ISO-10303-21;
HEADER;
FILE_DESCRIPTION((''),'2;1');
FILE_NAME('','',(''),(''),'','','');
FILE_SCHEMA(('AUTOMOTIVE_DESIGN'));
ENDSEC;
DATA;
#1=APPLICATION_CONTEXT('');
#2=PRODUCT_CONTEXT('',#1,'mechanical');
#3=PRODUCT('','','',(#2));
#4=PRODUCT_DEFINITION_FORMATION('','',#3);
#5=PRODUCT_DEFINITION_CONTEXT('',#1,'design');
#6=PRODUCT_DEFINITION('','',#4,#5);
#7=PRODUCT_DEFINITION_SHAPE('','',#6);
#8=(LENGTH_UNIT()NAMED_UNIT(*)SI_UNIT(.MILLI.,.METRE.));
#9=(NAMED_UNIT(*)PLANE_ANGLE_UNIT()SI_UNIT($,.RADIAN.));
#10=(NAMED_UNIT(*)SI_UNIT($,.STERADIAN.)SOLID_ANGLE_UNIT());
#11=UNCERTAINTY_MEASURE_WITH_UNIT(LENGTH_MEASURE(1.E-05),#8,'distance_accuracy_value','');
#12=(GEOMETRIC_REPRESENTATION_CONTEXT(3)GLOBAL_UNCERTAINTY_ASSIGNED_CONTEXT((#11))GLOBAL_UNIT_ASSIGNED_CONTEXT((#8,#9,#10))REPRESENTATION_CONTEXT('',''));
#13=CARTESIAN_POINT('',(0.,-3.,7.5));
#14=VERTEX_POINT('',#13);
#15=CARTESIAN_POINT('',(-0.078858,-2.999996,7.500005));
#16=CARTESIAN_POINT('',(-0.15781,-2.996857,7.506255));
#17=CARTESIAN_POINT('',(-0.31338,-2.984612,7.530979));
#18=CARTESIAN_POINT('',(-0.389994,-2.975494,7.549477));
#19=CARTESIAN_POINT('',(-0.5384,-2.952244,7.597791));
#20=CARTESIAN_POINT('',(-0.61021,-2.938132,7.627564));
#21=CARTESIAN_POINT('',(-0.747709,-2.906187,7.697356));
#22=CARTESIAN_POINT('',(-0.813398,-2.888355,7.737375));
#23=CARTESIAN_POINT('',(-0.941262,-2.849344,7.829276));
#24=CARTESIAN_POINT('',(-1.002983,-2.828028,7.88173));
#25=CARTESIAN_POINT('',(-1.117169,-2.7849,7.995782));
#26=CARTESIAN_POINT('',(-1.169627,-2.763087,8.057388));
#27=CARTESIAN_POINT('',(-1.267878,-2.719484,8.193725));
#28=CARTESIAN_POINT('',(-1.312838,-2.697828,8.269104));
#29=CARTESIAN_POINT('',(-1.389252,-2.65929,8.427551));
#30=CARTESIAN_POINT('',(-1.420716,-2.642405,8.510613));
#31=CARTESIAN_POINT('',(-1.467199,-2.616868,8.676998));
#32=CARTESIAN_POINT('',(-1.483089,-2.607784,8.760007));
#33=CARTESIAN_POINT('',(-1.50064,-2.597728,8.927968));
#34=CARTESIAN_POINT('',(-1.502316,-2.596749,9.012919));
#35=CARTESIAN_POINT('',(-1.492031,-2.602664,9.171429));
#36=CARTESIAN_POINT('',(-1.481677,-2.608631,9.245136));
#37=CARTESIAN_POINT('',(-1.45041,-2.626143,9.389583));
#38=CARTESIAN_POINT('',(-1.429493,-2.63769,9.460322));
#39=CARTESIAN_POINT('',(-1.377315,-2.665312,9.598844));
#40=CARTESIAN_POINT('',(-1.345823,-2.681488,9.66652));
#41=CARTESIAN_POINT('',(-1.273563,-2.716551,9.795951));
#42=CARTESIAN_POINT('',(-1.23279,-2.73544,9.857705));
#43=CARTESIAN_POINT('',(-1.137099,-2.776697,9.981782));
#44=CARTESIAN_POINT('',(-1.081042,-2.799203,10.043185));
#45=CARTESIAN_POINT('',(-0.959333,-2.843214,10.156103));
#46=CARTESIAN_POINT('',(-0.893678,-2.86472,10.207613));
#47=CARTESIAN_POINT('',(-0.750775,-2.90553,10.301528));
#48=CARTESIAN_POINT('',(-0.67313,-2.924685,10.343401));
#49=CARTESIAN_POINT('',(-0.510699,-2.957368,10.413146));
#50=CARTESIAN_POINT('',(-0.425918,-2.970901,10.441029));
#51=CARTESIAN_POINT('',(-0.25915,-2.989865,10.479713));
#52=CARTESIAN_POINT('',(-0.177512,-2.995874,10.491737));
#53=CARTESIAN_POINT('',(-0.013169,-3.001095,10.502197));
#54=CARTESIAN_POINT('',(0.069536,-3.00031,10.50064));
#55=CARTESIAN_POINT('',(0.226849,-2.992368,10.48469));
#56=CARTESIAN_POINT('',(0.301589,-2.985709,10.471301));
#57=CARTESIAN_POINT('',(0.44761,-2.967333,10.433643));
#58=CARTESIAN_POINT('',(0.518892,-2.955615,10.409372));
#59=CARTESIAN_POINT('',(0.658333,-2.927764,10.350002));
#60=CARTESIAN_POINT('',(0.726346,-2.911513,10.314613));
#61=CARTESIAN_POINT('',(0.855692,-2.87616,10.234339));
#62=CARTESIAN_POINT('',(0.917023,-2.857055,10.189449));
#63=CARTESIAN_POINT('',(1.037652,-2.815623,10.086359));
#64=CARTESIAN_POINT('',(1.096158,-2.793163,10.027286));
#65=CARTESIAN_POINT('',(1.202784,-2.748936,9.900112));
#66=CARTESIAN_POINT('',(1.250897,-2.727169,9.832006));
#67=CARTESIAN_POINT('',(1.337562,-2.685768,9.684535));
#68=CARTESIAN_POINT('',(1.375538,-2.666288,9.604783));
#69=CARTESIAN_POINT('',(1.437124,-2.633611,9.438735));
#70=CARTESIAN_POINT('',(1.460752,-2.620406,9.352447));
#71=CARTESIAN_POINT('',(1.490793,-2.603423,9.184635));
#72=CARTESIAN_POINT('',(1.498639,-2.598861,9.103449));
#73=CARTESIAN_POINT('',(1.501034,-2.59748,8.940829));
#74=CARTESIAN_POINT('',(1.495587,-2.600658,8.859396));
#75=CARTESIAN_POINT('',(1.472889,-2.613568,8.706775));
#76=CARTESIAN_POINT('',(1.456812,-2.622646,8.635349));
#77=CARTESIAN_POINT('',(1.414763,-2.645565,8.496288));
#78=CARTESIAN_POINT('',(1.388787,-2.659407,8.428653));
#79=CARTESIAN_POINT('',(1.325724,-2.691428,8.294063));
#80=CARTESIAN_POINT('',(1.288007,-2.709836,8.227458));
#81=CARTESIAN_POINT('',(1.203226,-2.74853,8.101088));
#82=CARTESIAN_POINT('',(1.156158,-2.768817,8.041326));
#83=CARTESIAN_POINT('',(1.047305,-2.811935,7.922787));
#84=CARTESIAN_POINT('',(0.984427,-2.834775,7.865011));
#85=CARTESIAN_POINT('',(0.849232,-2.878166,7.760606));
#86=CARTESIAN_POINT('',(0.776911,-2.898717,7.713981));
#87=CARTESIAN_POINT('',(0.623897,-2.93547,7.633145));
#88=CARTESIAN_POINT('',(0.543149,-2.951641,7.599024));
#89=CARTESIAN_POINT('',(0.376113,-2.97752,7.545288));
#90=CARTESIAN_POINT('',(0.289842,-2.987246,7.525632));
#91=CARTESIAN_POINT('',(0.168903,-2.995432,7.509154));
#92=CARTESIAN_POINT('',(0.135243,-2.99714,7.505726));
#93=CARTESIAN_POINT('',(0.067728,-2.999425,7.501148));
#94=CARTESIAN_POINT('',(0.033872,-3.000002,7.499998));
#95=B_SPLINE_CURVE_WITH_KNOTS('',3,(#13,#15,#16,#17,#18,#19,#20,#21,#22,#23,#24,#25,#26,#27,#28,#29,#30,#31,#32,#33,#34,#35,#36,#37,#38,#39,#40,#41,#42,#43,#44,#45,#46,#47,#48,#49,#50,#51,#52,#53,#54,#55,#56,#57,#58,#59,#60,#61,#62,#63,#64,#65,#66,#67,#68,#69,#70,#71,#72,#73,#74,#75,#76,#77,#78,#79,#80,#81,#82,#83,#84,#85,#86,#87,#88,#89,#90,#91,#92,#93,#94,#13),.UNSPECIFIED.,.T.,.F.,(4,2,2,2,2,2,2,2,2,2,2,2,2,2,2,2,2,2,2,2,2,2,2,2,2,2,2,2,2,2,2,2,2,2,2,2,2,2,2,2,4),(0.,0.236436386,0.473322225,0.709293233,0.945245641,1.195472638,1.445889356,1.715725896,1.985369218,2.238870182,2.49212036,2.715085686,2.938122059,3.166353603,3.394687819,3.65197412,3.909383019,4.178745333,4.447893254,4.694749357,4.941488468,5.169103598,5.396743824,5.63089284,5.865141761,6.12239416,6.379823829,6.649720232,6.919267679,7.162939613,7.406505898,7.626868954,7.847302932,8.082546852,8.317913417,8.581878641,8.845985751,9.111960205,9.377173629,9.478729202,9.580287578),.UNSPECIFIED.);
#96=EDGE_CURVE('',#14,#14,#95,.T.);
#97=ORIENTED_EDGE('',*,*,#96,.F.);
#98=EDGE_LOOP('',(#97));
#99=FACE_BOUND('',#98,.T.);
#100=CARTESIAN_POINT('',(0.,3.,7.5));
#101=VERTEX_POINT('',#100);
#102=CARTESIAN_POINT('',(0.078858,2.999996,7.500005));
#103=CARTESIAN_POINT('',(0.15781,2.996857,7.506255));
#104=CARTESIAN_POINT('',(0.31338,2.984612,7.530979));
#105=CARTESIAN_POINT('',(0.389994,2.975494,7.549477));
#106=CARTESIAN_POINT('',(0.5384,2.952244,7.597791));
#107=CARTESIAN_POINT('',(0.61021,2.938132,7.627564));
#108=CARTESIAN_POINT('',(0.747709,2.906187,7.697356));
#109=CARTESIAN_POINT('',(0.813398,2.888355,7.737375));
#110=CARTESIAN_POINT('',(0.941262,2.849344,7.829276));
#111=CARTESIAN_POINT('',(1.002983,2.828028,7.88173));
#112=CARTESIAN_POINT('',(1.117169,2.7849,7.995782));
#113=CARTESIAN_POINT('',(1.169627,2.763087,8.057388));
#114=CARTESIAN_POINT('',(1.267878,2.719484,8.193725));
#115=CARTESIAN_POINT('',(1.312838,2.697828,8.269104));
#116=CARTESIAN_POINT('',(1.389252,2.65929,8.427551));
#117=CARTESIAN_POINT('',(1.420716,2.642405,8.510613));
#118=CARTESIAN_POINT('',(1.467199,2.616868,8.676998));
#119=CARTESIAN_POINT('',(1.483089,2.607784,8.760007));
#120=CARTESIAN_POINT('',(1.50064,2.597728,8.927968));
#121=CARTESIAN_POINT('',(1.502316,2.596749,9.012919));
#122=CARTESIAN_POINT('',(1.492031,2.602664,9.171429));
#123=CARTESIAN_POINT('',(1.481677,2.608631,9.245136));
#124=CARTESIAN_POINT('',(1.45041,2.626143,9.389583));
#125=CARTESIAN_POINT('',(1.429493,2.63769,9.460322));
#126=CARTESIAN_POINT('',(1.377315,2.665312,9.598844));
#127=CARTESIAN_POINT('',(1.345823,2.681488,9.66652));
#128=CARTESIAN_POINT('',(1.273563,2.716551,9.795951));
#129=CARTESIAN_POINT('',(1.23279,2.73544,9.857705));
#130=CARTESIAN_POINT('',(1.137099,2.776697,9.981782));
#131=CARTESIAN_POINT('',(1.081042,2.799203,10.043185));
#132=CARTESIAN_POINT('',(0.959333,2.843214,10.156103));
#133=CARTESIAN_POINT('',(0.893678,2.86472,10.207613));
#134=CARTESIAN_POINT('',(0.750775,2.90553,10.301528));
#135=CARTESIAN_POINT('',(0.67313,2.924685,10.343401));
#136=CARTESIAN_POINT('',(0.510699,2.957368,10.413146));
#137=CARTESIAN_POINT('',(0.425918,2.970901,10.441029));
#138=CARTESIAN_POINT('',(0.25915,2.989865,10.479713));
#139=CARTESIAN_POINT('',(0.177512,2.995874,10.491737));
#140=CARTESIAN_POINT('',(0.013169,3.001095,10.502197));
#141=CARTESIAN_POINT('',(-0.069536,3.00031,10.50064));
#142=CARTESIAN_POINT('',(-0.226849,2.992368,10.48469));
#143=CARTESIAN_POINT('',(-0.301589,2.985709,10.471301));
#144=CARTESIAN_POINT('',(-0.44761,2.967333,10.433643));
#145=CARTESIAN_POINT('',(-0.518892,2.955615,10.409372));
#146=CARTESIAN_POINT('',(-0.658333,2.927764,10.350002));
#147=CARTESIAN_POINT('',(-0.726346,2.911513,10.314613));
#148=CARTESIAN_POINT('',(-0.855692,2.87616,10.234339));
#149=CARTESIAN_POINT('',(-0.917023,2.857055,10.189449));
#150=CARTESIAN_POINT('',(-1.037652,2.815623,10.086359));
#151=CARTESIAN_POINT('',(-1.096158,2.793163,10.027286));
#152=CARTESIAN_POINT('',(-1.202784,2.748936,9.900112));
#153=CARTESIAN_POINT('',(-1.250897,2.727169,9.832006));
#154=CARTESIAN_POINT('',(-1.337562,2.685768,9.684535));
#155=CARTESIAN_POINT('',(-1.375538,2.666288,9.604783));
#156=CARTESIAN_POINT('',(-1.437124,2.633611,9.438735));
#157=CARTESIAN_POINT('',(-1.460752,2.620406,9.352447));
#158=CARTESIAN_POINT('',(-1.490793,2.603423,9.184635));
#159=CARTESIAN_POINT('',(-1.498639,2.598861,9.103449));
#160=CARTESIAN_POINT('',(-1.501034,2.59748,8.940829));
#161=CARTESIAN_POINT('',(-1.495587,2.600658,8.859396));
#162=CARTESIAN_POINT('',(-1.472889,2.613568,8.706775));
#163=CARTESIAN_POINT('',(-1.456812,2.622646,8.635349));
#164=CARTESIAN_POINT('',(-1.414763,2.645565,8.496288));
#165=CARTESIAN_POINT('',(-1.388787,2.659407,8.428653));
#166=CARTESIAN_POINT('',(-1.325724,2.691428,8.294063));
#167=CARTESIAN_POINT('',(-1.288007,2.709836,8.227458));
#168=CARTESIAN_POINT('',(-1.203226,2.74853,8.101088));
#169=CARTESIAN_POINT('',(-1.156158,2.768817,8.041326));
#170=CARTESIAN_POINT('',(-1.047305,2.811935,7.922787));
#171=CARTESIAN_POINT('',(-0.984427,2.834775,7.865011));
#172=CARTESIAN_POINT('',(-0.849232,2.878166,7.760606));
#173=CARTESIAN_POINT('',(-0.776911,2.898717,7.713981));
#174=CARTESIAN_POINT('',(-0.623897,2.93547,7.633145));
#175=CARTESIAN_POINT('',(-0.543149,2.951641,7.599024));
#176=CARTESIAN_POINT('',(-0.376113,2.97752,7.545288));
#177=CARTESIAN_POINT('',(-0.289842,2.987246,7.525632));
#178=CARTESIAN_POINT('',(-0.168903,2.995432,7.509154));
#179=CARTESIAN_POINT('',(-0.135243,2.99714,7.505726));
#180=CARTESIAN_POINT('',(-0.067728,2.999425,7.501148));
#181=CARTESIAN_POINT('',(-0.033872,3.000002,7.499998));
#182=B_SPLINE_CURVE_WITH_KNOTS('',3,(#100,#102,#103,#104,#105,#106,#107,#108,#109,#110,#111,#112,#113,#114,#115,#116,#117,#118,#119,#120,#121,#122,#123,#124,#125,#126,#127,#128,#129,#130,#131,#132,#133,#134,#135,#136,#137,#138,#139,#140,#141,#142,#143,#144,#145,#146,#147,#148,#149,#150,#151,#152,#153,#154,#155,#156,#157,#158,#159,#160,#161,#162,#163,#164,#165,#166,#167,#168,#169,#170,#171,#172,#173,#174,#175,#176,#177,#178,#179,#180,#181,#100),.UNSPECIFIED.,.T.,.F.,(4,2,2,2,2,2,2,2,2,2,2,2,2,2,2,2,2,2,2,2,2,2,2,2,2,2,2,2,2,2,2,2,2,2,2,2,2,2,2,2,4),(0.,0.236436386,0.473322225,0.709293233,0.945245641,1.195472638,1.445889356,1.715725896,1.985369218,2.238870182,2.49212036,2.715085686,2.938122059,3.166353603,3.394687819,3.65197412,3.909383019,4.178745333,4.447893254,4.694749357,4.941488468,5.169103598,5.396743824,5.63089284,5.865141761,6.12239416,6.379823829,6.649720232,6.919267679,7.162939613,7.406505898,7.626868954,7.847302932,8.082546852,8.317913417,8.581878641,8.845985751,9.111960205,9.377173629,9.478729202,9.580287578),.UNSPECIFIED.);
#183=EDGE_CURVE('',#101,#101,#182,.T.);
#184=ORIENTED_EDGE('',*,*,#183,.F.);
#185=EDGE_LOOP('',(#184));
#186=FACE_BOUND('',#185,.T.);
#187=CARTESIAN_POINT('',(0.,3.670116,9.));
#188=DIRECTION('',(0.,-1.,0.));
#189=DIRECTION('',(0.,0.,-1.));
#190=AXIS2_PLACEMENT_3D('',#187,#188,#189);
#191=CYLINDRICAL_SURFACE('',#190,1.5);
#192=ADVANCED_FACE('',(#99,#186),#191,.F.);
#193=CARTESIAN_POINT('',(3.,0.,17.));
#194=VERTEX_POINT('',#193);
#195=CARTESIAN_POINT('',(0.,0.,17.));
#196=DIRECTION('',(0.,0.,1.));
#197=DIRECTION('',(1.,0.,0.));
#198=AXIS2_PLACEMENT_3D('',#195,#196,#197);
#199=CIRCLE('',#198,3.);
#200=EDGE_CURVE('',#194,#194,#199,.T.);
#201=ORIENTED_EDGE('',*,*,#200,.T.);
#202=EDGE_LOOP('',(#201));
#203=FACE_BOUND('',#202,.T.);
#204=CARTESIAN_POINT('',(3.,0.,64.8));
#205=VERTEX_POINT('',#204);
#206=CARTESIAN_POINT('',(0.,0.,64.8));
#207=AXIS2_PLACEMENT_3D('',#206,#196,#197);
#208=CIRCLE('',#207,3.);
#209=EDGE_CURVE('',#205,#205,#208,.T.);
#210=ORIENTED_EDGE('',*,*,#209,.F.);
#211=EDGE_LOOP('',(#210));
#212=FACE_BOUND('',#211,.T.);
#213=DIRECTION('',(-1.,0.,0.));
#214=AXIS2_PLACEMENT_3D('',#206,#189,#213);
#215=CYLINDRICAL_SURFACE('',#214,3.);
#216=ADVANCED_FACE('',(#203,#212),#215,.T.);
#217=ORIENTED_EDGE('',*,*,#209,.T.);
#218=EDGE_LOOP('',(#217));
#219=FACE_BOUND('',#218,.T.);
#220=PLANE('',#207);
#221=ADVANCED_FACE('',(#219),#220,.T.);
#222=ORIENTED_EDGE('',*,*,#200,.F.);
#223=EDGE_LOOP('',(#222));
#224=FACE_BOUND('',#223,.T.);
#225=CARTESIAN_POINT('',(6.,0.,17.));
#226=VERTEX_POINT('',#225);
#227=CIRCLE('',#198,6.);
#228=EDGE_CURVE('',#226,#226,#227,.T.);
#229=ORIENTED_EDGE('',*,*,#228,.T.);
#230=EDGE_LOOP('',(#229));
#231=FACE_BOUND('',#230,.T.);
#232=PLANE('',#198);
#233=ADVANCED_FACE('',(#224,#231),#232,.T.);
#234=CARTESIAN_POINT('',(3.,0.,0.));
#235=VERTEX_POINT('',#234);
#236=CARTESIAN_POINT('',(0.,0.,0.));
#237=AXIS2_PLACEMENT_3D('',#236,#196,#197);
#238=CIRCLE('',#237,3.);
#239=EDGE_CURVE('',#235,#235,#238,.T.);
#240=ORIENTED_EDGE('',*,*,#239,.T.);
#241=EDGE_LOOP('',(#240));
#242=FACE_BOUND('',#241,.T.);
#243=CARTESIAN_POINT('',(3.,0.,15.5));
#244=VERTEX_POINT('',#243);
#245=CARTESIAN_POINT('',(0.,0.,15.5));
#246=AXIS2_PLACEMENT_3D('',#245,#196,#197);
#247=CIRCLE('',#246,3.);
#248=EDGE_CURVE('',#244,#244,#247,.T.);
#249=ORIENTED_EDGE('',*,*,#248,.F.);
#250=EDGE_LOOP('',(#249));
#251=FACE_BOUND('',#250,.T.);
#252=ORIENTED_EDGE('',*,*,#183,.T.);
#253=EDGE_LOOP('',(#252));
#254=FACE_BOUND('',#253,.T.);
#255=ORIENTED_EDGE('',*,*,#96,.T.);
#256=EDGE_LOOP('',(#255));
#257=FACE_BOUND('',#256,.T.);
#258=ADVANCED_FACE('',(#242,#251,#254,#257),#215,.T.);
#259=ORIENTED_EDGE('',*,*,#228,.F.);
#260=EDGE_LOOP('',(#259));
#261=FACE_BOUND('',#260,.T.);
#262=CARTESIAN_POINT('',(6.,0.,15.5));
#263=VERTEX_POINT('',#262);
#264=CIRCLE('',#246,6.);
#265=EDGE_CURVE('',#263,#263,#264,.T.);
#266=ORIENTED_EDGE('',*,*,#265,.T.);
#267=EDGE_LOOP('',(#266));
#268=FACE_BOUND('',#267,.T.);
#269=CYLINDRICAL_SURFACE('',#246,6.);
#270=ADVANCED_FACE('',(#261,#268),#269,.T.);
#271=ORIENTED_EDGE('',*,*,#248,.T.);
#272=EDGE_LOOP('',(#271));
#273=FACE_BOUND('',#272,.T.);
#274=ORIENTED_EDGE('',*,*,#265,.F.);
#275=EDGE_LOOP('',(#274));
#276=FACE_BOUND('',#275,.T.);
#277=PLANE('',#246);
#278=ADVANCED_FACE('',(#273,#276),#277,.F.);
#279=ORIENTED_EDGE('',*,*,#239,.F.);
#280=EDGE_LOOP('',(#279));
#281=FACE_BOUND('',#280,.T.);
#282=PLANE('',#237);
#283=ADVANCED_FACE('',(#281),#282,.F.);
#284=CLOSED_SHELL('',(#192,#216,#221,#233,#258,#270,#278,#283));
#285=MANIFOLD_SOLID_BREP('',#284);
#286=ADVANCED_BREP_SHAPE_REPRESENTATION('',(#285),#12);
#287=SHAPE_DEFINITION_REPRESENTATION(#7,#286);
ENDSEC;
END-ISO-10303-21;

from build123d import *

# Parameters (mm, degrees)
SKETCH_1_R          = 3
EXTRUDE_1_DEPTH     = 64.8
SKETCH_2_R          = 6
EXTRUDE_2_DEPTH     = 1.5
SKETCH_10_R         = 1.5
CUT_EXTRUDE_1_DEPTH = 10


with BuildPart() as part:
    # 草图1 → 凸台-拉伸1 (new body)
    with BuildSketch(Plane.XY):
        Circle(SKETCH_1_R)
    extrude(amount=EXTRUDE_1_DEPTH)

    # 草图2 → 凸台-拉伸2 (add)
    with BuildSketch(Plane.XY.offset(17)):
        Circle(SKETCH_2_R)
    extrude(amount=-EXTRUDE_2_DEPTH)

    # 草图10 → 切除-拉伸1 (cut)
    with BuildSketch(Plane(origin=(0, -6.329883945, 9), x_dir=(-1, 0, 0), z_dir=(0, -1, 0))):
        with Locations(Location((0, 0, 0), (0, 0, 90))):
            Circle(SKETCH_10_R)
    extrude(amount=-CUT_EXTRUDE_1_DEPTH, mode=Mode.SUBTRACT)


solid = part.part
